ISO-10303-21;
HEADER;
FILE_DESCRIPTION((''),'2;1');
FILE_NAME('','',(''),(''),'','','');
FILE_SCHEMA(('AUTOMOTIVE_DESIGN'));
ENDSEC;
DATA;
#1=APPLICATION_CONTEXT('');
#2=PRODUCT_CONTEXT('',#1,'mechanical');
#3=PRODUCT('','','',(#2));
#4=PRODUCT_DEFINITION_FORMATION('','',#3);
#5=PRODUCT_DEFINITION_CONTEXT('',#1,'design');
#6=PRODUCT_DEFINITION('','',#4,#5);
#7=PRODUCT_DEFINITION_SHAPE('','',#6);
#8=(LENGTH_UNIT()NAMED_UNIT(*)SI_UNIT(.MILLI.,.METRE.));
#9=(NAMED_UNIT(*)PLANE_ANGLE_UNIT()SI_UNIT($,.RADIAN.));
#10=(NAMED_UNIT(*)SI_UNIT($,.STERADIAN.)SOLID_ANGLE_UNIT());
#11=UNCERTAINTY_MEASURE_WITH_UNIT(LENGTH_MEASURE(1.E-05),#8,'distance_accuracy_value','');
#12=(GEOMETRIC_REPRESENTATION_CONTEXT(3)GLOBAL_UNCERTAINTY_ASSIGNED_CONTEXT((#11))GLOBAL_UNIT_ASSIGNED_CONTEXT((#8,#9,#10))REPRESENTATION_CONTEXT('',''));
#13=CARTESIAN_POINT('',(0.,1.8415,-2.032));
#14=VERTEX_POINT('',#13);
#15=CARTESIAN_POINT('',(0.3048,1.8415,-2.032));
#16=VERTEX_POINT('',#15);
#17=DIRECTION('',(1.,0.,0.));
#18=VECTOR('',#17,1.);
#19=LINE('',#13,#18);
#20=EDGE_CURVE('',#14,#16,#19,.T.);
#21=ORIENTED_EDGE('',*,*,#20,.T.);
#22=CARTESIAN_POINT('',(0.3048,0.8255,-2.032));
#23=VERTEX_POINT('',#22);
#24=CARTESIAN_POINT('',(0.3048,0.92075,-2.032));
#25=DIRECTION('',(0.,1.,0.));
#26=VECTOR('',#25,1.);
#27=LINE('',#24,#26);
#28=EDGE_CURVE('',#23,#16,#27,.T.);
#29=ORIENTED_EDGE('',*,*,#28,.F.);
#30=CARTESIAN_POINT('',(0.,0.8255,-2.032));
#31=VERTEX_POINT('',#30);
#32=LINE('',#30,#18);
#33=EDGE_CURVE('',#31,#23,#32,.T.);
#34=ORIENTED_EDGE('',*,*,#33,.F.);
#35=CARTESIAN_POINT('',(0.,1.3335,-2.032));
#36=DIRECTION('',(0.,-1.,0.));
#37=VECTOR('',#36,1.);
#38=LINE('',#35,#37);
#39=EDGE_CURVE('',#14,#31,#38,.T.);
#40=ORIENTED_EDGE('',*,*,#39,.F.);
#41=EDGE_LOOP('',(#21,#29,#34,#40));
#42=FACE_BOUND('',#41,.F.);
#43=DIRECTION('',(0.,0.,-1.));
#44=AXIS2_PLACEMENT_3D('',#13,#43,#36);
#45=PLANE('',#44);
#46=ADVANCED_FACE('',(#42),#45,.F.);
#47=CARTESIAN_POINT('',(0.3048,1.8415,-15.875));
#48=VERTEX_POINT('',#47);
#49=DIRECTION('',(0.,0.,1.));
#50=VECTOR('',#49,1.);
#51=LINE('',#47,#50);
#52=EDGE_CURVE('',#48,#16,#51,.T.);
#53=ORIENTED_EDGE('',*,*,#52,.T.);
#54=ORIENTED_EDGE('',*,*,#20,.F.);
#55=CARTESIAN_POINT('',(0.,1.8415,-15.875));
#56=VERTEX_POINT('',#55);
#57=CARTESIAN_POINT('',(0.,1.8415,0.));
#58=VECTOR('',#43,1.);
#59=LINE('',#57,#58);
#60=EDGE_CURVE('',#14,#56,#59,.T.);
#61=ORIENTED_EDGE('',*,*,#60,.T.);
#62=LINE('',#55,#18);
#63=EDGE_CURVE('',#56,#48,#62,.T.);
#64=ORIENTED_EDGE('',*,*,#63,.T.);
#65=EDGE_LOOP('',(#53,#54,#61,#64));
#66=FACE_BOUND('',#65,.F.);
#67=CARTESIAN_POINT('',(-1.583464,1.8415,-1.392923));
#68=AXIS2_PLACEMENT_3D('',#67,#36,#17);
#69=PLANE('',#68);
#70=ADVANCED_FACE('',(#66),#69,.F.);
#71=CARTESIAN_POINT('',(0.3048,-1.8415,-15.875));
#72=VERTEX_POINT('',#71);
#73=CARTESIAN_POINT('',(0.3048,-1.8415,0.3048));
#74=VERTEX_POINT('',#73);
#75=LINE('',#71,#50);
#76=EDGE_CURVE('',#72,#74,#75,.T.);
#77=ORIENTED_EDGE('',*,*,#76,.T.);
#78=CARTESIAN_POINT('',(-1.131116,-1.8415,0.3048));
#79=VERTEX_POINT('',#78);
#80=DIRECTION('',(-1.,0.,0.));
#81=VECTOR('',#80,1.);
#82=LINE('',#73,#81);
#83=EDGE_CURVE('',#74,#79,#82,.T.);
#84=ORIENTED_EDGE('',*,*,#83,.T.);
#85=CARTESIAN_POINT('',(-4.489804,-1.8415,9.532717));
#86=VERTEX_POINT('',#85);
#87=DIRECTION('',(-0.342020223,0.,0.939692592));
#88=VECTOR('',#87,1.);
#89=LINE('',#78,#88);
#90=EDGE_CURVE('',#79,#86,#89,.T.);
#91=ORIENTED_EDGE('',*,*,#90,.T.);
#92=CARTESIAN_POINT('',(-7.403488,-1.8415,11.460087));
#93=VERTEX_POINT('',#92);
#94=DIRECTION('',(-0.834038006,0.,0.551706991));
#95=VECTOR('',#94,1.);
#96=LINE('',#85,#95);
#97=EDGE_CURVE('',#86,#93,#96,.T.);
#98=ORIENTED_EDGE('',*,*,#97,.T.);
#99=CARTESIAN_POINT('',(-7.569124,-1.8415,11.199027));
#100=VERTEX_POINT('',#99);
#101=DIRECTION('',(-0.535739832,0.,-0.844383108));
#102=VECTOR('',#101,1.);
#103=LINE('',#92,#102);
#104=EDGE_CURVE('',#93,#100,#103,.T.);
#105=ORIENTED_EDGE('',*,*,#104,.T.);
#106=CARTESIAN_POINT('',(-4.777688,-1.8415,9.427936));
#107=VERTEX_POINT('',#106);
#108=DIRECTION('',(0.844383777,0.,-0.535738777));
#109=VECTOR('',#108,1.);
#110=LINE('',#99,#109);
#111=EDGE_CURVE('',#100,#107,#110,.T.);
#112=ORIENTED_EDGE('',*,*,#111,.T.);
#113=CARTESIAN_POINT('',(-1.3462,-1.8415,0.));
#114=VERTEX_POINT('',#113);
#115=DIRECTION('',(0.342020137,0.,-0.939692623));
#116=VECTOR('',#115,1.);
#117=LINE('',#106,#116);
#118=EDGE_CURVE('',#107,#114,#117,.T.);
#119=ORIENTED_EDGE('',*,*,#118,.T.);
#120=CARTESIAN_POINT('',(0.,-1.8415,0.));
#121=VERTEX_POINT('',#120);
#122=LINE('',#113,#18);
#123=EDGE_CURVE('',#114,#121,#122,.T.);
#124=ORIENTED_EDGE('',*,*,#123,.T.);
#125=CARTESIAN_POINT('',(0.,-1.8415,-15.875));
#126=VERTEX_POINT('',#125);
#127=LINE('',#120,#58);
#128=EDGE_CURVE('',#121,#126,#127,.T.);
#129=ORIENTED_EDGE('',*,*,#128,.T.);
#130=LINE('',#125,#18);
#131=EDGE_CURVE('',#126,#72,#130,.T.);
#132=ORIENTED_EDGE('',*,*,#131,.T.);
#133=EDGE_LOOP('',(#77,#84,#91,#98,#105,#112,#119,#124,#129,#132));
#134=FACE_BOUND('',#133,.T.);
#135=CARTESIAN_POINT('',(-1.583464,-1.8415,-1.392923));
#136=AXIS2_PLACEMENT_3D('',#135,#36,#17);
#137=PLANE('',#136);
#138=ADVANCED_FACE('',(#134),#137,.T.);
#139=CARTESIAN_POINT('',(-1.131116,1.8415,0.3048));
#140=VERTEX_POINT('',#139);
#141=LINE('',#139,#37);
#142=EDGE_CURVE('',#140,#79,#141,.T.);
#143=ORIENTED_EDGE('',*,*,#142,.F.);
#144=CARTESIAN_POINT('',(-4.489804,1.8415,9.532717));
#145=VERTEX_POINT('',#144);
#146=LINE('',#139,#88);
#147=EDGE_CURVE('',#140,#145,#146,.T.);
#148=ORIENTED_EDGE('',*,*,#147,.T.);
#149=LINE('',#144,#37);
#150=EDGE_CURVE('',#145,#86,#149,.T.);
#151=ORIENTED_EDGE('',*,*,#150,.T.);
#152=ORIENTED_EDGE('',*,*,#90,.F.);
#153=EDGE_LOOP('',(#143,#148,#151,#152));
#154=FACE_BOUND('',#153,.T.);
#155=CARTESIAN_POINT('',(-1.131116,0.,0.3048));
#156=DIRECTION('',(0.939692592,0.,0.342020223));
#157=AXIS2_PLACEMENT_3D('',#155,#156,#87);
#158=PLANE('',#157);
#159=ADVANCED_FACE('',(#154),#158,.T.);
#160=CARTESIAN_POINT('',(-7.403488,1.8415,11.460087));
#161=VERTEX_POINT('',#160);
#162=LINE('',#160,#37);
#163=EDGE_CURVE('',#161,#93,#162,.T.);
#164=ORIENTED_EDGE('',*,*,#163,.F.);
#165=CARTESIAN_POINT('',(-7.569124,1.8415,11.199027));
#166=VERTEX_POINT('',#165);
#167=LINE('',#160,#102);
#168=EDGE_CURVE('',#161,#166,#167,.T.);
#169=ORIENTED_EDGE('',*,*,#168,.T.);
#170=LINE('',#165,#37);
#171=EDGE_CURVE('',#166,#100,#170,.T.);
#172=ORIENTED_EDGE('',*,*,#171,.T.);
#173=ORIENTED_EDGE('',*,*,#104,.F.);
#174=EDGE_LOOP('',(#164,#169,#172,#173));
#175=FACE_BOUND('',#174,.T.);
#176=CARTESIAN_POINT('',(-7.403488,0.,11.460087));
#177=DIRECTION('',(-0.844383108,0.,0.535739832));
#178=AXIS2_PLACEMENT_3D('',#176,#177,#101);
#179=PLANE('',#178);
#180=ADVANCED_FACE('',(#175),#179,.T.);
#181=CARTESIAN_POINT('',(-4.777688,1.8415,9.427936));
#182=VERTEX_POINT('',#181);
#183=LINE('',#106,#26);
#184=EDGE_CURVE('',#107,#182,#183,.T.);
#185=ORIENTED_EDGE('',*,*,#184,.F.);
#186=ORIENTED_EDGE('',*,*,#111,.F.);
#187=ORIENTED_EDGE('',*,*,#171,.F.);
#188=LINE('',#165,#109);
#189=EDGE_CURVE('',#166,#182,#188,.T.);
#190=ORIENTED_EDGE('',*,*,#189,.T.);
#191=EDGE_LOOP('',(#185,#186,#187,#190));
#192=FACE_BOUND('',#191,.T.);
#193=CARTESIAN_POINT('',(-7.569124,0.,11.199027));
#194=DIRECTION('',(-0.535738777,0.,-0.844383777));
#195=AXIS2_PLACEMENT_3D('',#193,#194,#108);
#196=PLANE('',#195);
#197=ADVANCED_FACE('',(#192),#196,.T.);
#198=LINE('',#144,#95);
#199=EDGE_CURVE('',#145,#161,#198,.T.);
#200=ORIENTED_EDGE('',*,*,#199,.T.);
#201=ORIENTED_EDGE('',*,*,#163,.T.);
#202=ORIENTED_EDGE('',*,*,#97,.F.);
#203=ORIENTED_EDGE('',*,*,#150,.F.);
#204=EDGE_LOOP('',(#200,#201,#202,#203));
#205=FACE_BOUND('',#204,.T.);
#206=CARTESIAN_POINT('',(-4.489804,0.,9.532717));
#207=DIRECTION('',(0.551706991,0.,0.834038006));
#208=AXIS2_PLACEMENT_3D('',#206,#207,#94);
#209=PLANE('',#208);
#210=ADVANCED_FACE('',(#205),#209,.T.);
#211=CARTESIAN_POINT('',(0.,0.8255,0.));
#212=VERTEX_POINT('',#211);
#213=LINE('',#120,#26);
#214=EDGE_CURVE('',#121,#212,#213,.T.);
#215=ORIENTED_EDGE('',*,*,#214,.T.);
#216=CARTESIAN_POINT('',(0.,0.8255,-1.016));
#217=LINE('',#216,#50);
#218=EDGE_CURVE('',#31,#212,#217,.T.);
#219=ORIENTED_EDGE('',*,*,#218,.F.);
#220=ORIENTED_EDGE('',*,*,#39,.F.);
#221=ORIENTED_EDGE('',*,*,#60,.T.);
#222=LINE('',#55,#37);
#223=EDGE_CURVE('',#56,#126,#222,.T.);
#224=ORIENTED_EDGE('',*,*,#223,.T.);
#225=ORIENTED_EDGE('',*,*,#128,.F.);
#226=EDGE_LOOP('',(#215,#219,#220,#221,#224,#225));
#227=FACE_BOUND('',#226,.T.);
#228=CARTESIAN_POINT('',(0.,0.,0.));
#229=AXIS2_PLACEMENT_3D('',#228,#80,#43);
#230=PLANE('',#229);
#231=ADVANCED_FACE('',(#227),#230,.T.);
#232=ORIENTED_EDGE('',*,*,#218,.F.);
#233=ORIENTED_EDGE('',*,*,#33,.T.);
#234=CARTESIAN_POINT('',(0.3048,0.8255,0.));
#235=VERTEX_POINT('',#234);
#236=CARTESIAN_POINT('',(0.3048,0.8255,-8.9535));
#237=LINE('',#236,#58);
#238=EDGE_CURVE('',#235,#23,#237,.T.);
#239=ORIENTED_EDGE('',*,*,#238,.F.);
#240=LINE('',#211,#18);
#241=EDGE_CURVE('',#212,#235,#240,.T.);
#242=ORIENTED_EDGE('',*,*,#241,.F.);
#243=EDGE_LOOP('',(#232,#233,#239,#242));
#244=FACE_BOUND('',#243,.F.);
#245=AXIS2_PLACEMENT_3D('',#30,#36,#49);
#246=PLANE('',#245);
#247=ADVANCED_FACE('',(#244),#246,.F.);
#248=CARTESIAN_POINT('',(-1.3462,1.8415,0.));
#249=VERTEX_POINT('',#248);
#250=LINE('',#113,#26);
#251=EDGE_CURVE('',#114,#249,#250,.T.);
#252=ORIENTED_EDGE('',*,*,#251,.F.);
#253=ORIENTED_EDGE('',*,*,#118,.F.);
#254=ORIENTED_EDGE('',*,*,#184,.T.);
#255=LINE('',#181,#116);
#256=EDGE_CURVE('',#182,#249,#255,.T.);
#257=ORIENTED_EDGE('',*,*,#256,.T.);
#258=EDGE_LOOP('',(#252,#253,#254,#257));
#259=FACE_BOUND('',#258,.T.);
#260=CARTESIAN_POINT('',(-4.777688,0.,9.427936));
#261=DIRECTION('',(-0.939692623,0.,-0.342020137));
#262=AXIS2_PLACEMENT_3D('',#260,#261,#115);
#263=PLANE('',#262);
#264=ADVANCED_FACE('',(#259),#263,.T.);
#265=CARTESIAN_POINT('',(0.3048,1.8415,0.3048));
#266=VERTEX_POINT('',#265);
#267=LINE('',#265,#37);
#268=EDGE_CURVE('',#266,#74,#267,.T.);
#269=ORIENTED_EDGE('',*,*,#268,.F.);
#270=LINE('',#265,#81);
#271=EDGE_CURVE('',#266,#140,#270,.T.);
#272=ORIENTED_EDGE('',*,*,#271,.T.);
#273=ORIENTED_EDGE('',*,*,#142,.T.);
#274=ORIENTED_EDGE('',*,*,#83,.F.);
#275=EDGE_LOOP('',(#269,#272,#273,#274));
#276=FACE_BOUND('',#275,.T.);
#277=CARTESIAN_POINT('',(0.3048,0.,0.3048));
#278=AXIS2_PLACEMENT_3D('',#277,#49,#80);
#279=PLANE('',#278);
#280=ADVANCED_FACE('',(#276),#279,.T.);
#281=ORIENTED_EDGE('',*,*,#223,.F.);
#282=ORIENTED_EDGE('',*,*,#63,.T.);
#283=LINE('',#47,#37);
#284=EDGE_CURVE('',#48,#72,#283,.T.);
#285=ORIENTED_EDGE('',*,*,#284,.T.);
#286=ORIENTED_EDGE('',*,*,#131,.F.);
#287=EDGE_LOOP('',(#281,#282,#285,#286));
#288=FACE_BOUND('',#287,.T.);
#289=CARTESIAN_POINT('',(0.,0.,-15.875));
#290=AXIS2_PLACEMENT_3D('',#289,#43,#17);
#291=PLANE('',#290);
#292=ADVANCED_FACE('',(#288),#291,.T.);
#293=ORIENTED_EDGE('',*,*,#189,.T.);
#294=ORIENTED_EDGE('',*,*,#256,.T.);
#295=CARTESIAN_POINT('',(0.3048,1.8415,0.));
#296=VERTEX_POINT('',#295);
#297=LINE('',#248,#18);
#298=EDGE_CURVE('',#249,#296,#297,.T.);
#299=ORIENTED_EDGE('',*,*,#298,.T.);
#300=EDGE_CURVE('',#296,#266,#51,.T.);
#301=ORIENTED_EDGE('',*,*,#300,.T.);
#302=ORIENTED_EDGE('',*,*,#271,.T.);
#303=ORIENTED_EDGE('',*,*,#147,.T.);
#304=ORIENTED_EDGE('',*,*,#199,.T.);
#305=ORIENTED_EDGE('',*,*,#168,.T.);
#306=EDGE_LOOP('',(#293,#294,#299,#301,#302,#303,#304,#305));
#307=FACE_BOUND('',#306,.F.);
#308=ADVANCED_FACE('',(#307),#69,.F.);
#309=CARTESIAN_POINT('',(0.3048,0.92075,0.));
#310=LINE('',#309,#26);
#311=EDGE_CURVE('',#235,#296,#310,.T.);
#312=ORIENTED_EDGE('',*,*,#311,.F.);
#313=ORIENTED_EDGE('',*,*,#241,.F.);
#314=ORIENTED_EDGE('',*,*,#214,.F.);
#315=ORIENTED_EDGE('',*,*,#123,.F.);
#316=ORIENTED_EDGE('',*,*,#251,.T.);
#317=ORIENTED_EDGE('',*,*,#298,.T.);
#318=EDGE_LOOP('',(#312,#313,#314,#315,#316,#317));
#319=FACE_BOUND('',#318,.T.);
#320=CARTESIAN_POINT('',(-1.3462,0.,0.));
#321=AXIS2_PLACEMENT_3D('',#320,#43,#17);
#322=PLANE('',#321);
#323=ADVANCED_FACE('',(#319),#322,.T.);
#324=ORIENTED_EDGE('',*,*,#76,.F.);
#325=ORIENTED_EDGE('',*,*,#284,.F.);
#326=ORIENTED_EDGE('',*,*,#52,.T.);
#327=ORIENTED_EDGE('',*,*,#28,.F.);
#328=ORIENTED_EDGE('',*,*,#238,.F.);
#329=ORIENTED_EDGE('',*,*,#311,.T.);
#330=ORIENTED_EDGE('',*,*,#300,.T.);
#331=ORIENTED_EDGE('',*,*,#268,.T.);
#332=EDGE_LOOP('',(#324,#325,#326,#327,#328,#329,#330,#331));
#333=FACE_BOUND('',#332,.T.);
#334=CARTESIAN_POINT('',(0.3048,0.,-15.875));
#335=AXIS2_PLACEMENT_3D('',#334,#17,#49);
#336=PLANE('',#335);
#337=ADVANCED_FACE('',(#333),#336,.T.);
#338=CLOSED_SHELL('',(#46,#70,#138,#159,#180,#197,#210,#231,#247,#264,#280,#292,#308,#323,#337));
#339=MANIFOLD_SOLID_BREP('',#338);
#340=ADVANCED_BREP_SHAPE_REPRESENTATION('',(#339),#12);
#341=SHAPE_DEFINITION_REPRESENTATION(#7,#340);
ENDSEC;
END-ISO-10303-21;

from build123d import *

# Parameters (mm, degrees)
F1_DEPTH = 1.8415
F2_W     = 1.016
F2_H     = 2.032
F3_DEPTH = 25.4


with BuildPart() as f1:
    # F0 (on Front) → F1 (new body, symmetric)
    with BuildSketch(Plane.XZ):
        Polygon((0, 0), (0, -15.875), (0.3048, -15.875), (0.3048, 0), (0.3048, 0.3048), (-1.131116, 0.3048), (-4.489804, 9.532717), (-7.403488, 11.460087), (-7.569124, 11.199027), (-4.777688, 9.427936), (-1.3462, 0), align=None)
    extrude(amount=F1_DEPTH, both=True)

    # F2 (on face) → F3 (cut)
    with BuildSketch(Plane(origin=(0, 0, 0), x_dir=(0, -1, 0), z_dir=(-1, 0, 0))):
        with Locations((-1.3335, -1.016)):
            Rectangle(F2_W, F2_H)
    extrude(amount=-F3_DEPTH, mode=Mode.SUBTRACT)


solid = f1.part
